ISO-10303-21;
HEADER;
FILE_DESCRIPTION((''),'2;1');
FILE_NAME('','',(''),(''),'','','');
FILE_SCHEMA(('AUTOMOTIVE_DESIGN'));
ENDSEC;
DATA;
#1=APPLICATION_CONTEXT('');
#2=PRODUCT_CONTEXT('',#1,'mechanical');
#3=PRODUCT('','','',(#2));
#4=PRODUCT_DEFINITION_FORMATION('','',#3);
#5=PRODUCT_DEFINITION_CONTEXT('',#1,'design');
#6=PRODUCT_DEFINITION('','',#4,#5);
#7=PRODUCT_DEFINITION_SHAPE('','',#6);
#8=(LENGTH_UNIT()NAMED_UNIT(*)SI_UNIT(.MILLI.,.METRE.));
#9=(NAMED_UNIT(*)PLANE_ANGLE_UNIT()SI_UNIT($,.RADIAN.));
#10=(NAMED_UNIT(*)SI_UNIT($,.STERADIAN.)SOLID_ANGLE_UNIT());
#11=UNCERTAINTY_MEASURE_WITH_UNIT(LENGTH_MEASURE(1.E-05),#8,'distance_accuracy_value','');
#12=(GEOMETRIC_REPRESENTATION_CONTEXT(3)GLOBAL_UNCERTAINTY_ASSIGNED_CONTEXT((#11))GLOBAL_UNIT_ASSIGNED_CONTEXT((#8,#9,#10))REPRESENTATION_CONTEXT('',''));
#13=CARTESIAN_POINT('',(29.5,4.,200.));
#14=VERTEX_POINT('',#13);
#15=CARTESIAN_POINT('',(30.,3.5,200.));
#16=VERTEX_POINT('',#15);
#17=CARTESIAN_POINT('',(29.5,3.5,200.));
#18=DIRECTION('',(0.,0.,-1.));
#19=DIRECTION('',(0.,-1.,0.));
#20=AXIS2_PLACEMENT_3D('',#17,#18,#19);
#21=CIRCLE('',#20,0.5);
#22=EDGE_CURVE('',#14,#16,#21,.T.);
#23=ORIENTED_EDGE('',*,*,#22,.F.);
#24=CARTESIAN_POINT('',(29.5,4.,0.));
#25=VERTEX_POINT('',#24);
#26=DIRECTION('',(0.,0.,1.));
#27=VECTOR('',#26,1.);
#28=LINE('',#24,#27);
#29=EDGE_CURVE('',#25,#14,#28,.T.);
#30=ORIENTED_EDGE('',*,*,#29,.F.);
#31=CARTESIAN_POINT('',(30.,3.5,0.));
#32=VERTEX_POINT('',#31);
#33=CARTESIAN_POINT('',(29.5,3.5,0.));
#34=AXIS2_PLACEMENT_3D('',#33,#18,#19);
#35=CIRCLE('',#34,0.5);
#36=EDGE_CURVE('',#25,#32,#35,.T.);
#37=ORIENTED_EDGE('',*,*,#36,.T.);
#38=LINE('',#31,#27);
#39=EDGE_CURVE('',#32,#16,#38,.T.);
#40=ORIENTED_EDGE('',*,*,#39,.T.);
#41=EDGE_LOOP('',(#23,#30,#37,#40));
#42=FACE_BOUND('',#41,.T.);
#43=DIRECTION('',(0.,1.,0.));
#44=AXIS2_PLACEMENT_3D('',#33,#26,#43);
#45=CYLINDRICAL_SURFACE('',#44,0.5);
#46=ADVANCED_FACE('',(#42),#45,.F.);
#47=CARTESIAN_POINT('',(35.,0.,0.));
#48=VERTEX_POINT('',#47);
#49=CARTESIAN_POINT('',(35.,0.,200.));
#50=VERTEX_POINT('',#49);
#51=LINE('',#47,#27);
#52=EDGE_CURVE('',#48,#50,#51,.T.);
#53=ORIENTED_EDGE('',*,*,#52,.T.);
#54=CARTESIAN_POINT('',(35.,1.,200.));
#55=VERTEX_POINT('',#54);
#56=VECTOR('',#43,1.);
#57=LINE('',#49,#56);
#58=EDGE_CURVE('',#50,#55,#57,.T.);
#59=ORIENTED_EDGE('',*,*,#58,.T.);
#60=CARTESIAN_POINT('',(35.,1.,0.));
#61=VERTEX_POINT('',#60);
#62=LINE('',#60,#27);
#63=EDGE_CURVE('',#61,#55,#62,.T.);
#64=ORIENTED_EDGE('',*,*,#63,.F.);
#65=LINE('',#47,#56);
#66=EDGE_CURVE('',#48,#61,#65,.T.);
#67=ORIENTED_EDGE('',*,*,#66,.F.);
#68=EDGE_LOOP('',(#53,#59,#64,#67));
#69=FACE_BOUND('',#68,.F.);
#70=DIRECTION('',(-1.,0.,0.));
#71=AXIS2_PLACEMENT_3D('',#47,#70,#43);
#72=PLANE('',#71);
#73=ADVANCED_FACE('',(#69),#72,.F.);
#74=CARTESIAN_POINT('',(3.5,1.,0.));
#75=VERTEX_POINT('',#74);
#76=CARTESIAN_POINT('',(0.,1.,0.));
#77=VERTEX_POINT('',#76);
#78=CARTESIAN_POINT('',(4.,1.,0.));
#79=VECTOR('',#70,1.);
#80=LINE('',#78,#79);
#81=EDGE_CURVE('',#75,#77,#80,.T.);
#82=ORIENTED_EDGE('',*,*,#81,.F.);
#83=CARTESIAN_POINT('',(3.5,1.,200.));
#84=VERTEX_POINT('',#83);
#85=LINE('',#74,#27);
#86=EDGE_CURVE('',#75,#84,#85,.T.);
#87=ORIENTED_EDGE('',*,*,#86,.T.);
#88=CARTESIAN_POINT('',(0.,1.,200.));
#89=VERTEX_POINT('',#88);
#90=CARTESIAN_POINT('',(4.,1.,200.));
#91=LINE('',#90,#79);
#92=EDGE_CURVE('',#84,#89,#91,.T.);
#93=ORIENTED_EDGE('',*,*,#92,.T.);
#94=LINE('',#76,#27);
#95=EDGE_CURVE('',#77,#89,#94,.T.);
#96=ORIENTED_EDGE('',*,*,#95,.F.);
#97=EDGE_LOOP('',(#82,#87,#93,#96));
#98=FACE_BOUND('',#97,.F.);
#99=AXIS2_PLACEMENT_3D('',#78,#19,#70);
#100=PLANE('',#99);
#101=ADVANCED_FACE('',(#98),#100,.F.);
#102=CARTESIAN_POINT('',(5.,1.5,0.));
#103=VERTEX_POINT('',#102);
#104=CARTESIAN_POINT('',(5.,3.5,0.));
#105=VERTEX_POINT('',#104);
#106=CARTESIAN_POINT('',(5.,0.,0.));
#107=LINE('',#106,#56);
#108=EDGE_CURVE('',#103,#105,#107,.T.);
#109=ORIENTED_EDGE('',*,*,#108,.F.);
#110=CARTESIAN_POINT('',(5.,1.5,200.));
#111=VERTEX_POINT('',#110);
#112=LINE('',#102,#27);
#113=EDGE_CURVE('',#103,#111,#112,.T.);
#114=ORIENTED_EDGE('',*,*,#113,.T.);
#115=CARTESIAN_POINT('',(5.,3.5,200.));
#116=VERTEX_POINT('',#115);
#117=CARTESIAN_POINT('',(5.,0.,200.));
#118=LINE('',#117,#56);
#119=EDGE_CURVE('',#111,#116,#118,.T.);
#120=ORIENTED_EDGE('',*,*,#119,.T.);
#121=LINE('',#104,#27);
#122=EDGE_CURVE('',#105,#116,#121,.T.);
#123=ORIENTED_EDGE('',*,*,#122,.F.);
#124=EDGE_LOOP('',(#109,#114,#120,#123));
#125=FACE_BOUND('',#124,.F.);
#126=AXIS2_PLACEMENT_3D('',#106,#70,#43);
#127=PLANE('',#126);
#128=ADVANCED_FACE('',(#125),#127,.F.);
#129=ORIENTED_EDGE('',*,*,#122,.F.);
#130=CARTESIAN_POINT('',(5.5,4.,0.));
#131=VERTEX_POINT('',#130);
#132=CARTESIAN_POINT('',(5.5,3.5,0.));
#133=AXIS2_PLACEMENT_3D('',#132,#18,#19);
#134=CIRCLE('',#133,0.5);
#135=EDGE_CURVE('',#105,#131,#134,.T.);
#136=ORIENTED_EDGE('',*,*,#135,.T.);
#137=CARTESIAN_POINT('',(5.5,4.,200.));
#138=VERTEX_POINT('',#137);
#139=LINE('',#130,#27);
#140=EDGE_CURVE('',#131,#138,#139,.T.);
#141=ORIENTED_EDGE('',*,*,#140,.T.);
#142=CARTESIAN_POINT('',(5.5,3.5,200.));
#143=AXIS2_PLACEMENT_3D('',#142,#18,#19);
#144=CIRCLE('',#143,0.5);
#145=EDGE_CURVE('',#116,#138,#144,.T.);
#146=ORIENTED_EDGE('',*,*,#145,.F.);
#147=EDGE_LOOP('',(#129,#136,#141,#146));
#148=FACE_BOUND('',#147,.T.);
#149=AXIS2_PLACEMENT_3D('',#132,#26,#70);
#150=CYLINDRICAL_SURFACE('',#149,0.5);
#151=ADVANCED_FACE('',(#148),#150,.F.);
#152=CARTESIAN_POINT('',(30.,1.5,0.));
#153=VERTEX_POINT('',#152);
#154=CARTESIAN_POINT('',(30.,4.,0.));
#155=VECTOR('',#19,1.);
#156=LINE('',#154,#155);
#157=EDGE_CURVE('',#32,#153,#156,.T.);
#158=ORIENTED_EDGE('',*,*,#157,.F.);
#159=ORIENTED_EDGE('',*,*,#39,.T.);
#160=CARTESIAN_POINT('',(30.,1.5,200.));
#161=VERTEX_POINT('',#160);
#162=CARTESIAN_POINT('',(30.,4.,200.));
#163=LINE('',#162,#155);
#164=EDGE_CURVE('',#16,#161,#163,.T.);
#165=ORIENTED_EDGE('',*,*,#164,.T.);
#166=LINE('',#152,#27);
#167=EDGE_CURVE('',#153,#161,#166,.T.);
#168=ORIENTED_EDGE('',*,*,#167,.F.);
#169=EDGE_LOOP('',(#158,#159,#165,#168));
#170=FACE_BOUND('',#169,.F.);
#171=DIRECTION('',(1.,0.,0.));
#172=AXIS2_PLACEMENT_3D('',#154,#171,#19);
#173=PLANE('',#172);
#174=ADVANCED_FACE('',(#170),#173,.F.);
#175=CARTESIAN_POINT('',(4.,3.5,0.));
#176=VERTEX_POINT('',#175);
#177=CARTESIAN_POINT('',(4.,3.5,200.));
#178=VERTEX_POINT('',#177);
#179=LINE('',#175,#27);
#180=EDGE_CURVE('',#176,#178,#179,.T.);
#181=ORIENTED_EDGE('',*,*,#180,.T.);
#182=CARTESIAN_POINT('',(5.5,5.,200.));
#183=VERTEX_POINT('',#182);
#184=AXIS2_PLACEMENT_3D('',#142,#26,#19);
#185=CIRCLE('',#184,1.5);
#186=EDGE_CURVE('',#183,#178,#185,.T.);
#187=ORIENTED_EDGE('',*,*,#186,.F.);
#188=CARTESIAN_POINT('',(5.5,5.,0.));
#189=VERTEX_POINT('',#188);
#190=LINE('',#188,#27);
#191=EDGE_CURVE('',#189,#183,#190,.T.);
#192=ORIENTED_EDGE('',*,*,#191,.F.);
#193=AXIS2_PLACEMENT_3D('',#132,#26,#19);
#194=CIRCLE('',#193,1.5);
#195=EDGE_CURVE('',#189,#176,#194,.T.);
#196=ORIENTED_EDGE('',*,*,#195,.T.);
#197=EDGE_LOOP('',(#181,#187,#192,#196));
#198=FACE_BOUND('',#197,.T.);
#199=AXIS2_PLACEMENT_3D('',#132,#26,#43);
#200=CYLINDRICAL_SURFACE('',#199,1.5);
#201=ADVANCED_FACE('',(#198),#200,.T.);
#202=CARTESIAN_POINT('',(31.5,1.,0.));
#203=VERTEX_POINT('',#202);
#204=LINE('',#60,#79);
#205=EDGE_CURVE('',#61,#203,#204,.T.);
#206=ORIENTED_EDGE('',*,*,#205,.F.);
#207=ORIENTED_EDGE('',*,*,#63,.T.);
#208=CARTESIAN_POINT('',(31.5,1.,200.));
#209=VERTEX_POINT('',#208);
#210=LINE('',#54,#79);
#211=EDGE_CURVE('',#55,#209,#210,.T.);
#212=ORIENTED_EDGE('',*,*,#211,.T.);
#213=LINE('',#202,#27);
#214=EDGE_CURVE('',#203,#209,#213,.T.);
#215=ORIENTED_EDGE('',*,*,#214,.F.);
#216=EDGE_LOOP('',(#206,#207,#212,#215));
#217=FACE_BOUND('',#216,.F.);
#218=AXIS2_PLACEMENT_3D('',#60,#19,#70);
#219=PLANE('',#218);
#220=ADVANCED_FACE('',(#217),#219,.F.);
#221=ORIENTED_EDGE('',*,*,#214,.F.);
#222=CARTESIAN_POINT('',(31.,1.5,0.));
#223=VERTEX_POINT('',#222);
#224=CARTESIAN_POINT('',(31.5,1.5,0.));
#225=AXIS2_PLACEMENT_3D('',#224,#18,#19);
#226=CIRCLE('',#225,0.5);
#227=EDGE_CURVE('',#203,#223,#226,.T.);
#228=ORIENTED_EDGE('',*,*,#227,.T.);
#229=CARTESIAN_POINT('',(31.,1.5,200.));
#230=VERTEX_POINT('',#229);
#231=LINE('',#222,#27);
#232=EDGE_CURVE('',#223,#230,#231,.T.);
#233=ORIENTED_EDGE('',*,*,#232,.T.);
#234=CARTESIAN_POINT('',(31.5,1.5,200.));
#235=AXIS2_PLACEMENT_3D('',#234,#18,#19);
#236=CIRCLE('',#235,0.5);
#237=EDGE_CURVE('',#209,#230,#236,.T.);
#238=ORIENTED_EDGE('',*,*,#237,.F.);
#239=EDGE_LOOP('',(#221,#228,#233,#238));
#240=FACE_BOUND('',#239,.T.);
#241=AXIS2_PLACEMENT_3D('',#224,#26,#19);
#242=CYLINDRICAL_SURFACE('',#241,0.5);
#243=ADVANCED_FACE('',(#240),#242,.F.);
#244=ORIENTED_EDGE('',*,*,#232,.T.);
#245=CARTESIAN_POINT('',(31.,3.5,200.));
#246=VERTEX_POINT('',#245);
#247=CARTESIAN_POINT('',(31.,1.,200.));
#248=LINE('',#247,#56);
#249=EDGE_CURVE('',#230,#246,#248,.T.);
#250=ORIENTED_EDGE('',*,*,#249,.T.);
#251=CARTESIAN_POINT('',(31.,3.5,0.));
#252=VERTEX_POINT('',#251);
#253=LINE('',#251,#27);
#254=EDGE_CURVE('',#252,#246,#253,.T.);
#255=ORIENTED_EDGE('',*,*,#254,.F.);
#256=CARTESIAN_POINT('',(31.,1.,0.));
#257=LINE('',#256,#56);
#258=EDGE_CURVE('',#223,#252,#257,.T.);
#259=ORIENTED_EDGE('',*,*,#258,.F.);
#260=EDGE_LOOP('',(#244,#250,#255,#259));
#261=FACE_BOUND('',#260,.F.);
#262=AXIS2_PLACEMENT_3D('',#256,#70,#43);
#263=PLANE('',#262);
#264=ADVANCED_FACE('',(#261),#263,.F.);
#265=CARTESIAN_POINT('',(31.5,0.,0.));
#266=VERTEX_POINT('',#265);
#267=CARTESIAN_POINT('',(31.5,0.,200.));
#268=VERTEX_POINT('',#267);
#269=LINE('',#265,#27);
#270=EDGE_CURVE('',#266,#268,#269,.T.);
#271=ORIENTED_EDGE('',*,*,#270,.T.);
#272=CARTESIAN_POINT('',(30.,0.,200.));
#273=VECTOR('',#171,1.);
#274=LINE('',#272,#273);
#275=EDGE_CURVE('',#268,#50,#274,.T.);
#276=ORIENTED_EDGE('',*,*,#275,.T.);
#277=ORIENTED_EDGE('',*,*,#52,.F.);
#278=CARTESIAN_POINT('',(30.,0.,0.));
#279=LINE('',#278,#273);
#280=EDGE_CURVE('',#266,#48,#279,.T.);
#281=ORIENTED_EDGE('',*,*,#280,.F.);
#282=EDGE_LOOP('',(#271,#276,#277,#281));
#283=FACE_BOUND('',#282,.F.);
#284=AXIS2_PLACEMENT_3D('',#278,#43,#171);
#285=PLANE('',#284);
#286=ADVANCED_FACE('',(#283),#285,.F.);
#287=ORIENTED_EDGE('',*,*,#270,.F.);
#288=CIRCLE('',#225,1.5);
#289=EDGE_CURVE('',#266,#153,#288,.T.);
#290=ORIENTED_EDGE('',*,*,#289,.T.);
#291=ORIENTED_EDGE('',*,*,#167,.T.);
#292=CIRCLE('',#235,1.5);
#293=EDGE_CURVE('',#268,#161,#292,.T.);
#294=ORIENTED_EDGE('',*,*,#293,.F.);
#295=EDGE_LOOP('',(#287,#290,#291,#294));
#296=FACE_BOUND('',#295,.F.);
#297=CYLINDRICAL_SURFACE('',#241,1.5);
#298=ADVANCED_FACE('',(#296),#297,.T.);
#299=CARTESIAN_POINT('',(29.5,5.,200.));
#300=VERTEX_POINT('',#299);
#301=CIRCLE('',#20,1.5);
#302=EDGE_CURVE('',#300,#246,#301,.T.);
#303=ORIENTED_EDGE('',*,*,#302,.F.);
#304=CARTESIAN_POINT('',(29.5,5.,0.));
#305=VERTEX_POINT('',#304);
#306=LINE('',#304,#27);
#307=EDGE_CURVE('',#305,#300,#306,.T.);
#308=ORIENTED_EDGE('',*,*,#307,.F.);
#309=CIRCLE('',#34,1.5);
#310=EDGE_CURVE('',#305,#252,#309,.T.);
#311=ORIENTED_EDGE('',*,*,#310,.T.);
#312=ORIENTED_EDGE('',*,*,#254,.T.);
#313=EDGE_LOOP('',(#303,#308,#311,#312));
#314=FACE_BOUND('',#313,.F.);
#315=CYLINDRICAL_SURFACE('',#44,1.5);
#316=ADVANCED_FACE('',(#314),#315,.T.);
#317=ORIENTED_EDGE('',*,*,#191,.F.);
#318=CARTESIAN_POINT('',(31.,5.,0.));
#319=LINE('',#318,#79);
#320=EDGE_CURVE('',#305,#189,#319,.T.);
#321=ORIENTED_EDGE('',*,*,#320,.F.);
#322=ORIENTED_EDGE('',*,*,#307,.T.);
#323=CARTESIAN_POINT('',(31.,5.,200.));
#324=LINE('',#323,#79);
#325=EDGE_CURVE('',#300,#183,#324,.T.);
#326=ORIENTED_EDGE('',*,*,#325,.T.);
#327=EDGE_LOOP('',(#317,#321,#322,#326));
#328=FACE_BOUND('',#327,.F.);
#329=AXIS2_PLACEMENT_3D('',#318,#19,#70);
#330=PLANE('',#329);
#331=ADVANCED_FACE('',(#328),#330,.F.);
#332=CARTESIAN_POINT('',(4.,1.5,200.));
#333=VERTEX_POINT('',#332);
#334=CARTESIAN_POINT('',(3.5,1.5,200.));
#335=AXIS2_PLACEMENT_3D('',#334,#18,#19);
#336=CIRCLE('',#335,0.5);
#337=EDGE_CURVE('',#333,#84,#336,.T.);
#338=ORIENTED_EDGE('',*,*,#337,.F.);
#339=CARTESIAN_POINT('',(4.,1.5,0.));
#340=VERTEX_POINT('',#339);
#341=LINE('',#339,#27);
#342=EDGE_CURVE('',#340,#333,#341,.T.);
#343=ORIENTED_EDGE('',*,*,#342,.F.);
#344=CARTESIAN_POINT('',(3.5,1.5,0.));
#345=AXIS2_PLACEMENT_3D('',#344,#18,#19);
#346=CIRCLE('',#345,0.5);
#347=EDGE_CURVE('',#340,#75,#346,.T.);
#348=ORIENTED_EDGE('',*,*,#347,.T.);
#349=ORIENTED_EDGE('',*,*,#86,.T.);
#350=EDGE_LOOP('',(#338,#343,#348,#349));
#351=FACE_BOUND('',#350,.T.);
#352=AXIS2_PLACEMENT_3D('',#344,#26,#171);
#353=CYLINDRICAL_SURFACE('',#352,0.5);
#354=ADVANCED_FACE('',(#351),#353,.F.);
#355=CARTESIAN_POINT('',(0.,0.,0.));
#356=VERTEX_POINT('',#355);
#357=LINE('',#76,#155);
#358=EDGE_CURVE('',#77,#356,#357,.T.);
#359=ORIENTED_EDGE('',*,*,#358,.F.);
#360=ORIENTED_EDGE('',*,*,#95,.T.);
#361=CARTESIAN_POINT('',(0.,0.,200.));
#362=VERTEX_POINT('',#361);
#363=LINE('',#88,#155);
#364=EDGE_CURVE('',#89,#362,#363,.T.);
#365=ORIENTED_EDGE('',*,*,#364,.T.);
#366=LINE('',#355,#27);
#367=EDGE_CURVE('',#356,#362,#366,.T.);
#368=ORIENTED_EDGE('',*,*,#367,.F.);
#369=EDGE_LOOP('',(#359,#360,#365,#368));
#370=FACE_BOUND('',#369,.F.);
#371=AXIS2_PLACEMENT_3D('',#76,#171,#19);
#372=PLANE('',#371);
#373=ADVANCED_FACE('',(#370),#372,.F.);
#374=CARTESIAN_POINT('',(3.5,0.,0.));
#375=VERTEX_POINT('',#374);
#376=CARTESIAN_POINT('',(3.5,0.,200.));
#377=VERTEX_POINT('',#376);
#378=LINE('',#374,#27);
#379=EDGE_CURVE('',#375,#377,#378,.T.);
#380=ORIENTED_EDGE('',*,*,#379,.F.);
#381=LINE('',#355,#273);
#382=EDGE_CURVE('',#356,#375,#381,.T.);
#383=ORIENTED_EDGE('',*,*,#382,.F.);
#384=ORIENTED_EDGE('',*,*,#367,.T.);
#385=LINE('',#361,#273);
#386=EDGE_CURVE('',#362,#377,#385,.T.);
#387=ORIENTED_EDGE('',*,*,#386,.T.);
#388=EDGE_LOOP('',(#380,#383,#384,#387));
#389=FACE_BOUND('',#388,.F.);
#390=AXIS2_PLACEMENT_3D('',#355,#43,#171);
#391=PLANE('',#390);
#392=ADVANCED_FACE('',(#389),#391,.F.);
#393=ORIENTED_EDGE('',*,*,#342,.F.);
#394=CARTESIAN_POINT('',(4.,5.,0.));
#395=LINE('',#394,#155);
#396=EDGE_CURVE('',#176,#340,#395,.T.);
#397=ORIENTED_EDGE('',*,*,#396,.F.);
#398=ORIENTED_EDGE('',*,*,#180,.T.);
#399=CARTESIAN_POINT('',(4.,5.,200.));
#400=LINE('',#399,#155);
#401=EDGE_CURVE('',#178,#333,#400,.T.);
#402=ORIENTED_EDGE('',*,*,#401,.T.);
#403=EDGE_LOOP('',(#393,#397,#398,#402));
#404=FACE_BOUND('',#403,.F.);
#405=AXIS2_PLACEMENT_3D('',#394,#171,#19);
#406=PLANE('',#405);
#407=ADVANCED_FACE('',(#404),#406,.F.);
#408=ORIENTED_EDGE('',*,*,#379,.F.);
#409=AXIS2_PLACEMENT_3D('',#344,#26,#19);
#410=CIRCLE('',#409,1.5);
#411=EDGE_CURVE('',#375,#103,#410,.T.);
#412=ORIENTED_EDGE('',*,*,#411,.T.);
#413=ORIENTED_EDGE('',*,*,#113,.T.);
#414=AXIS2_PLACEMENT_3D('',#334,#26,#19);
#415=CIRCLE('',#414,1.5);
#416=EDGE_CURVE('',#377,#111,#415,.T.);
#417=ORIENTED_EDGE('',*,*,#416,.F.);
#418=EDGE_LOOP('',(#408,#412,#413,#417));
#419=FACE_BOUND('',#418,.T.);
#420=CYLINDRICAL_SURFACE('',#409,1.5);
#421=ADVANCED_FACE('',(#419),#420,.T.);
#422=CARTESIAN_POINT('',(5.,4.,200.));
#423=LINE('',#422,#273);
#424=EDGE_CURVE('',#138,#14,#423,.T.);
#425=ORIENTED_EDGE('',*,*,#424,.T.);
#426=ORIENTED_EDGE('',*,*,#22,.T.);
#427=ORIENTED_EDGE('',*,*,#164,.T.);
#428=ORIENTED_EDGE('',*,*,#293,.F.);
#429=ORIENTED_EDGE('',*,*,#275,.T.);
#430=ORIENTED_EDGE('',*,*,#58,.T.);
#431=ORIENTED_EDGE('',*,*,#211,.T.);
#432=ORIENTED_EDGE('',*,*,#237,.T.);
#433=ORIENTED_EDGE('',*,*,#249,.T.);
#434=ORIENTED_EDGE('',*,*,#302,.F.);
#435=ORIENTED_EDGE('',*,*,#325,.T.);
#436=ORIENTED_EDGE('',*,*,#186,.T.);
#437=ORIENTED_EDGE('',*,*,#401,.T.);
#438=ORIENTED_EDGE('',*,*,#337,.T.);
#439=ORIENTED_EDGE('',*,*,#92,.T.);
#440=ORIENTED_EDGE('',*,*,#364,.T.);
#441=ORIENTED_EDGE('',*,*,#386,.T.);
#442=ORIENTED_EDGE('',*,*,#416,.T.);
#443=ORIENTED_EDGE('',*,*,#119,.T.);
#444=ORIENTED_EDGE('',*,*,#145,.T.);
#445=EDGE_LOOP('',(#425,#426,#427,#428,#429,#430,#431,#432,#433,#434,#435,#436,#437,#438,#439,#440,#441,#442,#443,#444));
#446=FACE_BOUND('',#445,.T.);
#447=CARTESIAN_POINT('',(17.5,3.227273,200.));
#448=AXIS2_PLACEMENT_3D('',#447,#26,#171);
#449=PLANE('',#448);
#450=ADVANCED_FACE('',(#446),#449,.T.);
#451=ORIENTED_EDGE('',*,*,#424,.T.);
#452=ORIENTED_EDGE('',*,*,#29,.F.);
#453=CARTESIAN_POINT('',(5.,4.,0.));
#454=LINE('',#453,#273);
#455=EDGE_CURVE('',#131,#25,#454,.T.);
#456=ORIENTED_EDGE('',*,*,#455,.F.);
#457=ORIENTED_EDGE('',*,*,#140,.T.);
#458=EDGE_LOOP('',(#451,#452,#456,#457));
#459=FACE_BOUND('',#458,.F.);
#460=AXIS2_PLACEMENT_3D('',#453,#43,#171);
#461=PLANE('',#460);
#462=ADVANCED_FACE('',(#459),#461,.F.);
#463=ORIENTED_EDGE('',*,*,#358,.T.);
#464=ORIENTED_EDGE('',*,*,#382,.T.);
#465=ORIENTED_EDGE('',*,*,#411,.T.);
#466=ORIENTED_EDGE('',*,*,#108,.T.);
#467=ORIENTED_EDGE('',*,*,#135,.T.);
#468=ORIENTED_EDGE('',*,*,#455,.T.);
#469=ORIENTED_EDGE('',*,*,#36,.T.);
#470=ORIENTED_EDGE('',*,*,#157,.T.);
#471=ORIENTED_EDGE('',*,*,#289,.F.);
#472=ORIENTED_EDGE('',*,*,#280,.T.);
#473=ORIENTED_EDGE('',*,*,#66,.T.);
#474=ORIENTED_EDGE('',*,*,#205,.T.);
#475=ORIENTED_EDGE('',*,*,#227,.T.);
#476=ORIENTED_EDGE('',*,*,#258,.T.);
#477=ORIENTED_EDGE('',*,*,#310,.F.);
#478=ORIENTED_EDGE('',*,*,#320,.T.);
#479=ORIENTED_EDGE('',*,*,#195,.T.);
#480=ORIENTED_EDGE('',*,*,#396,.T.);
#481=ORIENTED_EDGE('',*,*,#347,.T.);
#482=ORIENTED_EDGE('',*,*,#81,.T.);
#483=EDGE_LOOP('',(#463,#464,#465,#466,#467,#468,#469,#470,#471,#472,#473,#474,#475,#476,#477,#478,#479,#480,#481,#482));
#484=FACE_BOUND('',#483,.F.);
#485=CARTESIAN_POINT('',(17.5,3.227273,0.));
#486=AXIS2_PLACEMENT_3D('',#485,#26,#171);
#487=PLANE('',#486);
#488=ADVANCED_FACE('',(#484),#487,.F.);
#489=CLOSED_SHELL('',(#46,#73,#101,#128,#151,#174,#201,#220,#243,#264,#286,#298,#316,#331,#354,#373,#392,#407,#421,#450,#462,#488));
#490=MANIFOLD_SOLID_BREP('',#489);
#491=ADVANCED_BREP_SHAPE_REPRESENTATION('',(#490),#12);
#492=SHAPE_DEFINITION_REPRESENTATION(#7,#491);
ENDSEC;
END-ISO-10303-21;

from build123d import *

# Parameters (mm, degrees)
PAD_DEPTH   = 200
FILLET_R    = 1.5
FILLET001_R = 1.5
FILLET002_R = 0.5
FILLET003_R = 0.5
FILLET004_R = 0.5
FILLET005_R = 0.5


with BuildPart() as part:
    # Sketch → Pad (new body)
    with BuildSketch(Plane.XY):
        Polygon((0, 0), (5, 0), (5, 4), (30, 4), (30, 0), (35, 0), (35, 1), (31, 1), (31, 5), (4, 5), (4, 1), (0, 1), align=None)
    extrude(amount=PAD_DEPTH)

    # Fillet
    fillet_edges = [part.edges().sort_by_distance(p)[0] for p in [
        (4, 5, 100),
    ]]
    fillet(fillet_edges, radius=FILLET_R)

    # Fillet001
    fillet001_edges = [part.edges().sort_by_distance(p)[0] for p in [
        (31, 5, 100),
        (30, 0, 100),
        (5, 0, 100),
    ]]
    fillet(fillet001_edges, radius=FILLET001_R)

    # Fillet002
    fillet002_edges = [part.edges().sort_by_distance(p)[0] for p in [
        (5, 4, 100),
    ]]
    fillet(fillet002_edges, radius=FILLET002_R)

    # Fillet003
    fillet003_edges = [part.edges().sort_by_distance(p)[0] for p in [
        (31, 1, 100),
    ]]
    fillet(fillet003_edges, radius=FILLET003_R)

    # Fillet004
    fillet004_edges = [part.edges().sort_by_distance(p)[0] for p in [
        (4, 1, 100),
    ]]
    fillet(fillet004_edges, radius=FILLET004_R)

    # Fillet005
    fillet005_edges = [part.edges().sort_by_distance(p)[0] for p in [
        (30, 4, 100),
    ]]
    fillet(fillet005_edges, radius=FILLET005_R)


solid = part.part
